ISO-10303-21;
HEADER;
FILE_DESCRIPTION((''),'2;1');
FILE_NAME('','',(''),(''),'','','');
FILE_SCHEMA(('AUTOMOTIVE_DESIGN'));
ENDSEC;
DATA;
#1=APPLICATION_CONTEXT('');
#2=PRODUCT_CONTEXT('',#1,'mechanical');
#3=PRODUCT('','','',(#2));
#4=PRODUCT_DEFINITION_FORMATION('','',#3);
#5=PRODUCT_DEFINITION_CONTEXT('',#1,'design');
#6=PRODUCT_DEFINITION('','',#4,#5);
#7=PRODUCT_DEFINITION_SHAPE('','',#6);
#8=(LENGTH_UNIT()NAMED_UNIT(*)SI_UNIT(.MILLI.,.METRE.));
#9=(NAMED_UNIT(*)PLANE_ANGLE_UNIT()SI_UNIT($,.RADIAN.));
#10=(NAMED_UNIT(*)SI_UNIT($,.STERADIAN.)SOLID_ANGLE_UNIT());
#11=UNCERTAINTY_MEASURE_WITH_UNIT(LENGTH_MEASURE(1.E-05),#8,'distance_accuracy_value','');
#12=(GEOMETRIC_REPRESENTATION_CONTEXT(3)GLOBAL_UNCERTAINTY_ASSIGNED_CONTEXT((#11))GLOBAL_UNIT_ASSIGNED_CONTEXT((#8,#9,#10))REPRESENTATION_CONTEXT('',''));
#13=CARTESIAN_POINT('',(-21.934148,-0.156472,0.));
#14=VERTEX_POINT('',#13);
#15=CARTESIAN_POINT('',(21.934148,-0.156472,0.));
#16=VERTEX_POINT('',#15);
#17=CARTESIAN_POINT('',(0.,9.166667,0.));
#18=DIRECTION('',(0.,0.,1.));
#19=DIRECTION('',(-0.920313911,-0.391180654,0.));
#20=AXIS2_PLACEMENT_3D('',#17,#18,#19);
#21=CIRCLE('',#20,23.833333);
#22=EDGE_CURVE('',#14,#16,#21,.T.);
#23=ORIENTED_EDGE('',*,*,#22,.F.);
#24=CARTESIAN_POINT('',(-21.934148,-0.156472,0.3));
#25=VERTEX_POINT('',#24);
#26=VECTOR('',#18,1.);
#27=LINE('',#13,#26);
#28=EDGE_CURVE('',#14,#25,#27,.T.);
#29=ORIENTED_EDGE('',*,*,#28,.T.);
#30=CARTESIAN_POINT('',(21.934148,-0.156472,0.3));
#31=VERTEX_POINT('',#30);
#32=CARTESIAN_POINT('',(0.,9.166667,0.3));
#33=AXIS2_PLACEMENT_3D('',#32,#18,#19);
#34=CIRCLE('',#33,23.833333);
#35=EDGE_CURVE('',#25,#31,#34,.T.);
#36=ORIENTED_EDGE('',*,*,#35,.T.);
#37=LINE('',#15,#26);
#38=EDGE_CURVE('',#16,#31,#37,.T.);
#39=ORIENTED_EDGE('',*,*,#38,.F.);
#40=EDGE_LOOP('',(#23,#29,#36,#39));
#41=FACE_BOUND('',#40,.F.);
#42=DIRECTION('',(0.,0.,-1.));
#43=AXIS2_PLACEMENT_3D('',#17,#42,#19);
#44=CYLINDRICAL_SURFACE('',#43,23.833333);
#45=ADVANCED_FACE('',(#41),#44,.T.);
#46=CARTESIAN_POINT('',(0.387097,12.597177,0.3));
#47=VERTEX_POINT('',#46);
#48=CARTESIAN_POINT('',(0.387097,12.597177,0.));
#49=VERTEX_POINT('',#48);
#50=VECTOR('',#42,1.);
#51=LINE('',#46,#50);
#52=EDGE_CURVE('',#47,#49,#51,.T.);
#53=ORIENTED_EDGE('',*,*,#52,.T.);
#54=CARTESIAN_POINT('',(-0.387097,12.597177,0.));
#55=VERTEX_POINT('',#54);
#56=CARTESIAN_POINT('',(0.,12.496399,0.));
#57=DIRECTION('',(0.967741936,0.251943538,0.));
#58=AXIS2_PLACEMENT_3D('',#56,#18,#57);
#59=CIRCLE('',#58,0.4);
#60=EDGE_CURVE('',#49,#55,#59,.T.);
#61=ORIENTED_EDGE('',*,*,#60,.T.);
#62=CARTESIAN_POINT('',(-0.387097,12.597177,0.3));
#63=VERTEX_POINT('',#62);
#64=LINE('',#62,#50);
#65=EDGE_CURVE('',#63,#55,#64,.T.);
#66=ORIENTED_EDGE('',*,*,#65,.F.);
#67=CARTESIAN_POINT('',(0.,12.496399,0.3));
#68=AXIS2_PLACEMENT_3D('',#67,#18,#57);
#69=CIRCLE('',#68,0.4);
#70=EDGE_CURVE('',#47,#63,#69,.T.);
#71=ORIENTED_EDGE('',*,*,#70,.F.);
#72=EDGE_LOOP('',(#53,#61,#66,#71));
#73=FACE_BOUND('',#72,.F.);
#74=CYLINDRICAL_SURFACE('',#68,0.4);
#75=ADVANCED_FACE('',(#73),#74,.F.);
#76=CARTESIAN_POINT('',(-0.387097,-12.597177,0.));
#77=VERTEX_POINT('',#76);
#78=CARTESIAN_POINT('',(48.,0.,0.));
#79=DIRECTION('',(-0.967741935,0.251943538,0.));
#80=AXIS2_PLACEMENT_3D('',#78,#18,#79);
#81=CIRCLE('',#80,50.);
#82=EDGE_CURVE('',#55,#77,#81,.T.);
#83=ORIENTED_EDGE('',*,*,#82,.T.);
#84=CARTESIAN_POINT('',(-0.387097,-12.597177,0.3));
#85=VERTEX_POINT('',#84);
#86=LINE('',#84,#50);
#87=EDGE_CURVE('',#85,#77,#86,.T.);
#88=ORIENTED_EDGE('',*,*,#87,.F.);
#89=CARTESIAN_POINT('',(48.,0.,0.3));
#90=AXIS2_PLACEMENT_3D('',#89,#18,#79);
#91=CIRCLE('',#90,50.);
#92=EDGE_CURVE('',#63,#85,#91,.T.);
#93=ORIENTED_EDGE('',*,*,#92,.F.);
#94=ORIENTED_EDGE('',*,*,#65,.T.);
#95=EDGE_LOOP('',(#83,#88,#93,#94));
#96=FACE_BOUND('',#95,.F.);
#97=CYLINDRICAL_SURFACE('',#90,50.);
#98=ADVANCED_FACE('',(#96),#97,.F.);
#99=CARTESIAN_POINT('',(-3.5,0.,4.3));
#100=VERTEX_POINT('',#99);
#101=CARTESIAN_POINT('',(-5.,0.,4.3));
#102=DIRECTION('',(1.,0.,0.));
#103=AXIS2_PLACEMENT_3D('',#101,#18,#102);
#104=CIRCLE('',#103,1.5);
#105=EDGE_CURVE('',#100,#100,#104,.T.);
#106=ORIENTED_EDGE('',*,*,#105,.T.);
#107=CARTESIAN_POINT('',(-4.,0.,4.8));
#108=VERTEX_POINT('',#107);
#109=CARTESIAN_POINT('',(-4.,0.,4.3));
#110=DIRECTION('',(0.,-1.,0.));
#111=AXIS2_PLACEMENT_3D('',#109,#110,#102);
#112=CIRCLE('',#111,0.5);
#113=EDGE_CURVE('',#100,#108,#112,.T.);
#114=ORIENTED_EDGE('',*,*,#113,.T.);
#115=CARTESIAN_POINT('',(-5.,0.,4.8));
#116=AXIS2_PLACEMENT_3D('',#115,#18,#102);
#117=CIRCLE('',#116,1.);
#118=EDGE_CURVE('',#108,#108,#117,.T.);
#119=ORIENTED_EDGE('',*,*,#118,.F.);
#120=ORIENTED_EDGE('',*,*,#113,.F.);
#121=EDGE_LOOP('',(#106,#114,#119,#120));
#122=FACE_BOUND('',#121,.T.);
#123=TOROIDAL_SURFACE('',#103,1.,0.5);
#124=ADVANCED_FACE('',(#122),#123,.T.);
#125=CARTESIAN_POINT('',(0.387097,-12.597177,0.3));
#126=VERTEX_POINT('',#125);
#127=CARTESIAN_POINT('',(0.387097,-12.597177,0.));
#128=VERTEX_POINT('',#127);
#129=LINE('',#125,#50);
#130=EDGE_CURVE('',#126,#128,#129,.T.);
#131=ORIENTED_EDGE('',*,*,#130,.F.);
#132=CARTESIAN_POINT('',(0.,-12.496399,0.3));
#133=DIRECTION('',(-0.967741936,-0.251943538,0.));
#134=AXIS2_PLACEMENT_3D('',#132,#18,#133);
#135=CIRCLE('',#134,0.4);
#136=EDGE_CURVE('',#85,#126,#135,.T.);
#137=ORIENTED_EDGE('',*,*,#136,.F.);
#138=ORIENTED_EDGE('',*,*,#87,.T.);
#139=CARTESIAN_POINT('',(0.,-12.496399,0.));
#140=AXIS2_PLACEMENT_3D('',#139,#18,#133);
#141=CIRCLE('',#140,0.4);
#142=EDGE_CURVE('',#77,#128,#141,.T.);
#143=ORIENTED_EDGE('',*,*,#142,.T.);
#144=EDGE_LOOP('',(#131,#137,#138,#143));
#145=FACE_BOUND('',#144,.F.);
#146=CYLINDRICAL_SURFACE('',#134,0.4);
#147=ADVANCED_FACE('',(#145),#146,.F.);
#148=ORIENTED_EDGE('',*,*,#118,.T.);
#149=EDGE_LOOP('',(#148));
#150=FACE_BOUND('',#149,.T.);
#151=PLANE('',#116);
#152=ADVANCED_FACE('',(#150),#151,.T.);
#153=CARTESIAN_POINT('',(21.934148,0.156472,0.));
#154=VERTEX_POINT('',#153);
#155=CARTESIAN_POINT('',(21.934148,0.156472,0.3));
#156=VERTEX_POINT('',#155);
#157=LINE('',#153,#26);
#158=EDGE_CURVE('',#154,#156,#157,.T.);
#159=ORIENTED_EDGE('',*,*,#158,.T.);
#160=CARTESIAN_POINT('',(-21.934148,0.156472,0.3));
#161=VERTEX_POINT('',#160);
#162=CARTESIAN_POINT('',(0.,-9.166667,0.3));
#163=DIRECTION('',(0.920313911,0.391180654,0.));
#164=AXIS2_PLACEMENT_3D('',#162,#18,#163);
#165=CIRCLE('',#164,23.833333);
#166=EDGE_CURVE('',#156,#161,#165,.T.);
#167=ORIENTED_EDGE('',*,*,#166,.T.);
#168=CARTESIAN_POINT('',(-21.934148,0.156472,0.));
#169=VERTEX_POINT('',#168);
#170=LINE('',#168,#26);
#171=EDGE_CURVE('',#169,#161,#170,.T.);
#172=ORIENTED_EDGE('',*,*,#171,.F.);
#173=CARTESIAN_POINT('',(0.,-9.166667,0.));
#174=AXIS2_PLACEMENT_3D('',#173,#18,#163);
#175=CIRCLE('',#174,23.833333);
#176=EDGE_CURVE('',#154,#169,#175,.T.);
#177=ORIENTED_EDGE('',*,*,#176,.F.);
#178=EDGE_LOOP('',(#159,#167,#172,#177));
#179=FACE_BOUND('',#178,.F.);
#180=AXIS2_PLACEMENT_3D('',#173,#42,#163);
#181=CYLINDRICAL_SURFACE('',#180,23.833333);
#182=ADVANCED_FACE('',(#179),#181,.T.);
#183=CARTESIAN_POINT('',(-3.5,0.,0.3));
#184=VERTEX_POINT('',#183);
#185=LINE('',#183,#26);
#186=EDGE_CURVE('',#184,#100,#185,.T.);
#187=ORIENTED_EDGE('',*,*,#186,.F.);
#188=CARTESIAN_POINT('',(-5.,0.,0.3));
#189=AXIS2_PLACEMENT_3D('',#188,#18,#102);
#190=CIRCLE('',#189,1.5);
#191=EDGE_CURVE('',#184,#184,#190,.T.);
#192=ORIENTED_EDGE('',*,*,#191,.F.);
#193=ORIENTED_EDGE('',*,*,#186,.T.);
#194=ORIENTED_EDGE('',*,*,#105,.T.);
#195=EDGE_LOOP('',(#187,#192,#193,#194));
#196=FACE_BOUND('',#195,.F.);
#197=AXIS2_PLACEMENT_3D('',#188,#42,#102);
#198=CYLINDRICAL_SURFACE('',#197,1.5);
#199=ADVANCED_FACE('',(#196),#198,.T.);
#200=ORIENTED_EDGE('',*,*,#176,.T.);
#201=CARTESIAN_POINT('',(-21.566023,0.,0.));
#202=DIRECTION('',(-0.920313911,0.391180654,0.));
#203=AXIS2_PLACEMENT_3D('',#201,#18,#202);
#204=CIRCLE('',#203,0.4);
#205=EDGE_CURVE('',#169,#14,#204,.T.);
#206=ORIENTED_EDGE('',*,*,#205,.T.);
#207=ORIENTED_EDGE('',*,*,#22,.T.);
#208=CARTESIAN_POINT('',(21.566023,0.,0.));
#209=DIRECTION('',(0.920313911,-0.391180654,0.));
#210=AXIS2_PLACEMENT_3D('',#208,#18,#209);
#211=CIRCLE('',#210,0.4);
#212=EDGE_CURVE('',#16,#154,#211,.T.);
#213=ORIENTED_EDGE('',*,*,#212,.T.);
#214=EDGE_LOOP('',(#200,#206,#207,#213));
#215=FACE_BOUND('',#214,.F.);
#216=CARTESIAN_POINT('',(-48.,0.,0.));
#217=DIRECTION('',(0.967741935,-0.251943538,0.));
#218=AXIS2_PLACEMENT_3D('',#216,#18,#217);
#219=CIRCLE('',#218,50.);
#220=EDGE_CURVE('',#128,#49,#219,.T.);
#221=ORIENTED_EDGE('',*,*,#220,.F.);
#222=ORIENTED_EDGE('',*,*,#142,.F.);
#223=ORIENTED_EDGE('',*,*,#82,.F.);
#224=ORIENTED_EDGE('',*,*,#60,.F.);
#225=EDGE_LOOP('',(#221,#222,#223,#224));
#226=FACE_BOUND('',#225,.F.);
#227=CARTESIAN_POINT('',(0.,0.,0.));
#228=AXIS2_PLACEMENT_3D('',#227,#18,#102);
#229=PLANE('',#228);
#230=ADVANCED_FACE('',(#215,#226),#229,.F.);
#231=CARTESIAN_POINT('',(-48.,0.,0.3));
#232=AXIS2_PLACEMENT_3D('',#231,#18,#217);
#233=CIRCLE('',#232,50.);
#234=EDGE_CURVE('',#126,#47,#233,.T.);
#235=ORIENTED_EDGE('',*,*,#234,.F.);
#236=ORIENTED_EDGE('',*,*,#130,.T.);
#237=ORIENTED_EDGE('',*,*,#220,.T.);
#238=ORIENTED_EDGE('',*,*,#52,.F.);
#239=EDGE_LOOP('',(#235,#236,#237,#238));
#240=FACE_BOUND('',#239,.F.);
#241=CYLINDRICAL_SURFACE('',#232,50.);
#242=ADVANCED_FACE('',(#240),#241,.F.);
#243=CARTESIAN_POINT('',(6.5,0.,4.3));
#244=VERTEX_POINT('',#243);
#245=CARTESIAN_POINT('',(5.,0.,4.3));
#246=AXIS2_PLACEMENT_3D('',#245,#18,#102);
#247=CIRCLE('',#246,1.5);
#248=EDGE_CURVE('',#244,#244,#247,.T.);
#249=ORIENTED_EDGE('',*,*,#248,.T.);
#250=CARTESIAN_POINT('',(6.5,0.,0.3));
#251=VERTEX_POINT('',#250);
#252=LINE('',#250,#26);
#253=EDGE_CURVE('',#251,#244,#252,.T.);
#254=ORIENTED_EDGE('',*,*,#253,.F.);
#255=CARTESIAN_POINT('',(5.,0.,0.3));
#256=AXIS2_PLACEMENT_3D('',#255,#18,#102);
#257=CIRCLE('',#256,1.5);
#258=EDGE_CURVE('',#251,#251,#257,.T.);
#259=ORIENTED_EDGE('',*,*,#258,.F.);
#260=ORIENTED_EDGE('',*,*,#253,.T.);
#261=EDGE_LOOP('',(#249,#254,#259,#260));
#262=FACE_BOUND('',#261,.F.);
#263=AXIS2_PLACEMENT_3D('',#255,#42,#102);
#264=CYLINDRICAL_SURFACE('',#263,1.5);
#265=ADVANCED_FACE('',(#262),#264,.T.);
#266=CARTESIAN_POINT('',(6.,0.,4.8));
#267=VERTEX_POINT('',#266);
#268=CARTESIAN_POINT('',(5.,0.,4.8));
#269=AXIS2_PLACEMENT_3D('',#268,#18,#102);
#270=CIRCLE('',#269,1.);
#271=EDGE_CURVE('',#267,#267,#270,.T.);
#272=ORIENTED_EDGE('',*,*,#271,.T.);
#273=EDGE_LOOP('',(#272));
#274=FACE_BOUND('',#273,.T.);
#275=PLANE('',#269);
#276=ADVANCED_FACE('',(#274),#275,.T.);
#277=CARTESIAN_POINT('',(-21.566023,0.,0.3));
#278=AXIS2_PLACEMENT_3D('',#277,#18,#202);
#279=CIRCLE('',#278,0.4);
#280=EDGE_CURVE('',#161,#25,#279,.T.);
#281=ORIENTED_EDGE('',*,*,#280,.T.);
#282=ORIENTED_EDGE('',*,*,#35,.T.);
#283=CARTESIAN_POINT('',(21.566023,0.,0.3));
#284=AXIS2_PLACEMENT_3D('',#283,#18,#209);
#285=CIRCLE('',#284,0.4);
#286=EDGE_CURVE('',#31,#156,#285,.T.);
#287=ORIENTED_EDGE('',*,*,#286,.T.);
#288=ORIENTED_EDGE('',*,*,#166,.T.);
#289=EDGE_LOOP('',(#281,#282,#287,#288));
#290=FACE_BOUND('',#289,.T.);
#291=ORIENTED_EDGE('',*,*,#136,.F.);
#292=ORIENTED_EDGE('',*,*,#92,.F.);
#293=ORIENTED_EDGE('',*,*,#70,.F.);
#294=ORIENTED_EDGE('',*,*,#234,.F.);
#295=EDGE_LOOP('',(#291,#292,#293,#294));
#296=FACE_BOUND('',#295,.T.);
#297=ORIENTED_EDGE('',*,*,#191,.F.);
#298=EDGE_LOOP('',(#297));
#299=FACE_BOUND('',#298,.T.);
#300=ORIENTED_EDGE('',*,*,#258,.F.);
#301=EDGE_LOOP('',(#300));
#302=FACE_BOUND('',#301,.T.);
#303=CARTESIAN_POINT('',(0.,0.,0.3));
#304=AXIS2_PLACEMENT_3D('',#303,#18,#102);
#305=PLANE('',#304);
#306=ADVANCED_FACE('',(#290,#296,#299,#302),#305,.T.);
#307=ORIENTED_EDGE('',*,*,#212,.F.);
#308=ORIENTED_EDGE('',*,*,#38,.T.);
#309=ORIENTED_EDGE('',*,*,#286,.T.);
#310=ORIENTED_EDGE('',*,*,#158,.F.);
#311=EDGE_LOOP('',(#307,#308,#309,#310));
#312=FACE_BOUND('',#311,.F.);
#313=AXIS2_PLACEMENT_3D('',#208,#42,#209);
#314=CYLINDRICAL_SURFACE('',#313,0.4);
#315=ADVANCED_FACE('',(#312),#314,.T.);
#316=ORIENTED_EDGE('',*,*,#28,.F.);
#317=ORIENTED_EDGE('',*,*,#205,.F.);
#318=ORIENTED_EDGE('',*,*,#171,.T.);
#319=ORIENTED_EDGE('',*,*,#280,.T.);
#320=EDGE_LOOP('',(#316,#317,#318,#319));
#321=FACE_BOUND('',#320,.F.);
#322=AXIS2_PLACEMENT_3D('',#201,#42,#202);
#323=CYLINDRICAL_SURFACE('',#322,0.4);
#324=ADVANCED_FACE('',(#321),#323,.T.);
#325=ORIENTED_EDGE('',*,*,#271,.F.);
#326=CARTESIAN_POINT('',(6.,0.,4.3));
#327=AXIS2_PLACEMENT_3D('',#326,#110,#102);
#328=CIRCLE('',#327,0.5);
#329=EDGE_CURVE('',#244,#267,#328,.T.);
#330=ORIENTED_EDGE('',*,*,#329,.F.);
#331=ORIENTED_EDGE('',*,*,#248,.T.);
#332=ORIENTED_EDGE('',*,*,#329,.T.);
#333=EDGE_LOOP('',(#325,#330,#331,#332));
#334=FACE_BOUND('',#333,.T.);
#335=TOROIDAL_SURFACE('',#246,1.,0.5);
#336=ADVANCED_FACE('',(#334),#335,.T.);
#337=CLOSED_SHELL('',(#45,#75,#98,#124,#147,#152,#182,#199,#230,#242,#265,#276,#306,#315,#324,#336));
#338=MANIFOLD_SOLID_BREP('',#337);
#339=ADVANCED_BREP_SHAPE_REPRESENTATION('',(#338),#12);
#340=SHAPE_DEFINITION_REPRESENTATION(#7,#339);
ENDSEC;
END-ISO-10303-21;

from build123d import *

# Parameters (mm, degrees)
F3_DEPTH = 0.3
F4_R     = 1.5
F5_DEPTH = 4.5
F6_R     = 0.5
F8_DEPTH = 0.301


with BuildPart() as f3:
    # F2 (on Top) → F3 (new body)
    with BuildSketch(Plane.XY):
        with BuildLine():
            ThreePointArc((21.9341482237, -0.1564722617), (21.9660226591, 0), (21.9341482237, 0.1564722617))
            ThreePointArc((21.9341482237, 0.1564722617), (0, 14.6666666667), (-21.9341482237, 0.1564722617))
            ThreePointArc((-21.9341482237, 0.1564722617), (-21.9660226591, 0), (-21.9341482237, -0.1564722617))
            ThreePointArc((-21.9341482237, -0.1564722617), (0, -14.6666666667), (21.9341482237, -0.1564722617))
        make_face()
    extrude(amount=F3_DEPTH)

    # F4 (on face) → F5 (join)
    with BuildSketch(Plane.XY.offset(0.3)):
        with Locations((-5, 0)):
            Circle(F4_R)
        with Locations((5, 0)):
            Circle(F4_R)
    extrude(amount=F5_DEPTH)

    # F6
    f6_edges = [f3.edges().sort_by_distance(p)[0] for p in [
        (-6.5, 0, 4.8),
        (3.5, 0, 4.8),
    ]]
    fillet(f6_edges, radius=F6_R)

    # F7 (on face) → F8 (cut, through all)
    with BuildSketch(Plane.XY.offset(0.3)):
        with BuildLine():
            ThreePointArc((-0.3870967742, -12.5971768966), (0, -12.8963994815), (0.3870967742, -12.5971768966))
            ThreePointArc((0.3870967742, -12.5971768966), (2, 0), (0.3870967742, 12.5971768966))
            ThreePointArc((0.3870967742, 12.5971768966), (0, 12.8963994815), (-0.3870967742, 12.5971768966))
            ThreePointArc((-0.3870967742, 12.5971768966), (-2, 0), (-0.3870967742, -12.5971768966))
        make_face()
    extrude(amount=-F8_DEPTH, mode=Mode.SUBTRACT)


solid = f3.part
